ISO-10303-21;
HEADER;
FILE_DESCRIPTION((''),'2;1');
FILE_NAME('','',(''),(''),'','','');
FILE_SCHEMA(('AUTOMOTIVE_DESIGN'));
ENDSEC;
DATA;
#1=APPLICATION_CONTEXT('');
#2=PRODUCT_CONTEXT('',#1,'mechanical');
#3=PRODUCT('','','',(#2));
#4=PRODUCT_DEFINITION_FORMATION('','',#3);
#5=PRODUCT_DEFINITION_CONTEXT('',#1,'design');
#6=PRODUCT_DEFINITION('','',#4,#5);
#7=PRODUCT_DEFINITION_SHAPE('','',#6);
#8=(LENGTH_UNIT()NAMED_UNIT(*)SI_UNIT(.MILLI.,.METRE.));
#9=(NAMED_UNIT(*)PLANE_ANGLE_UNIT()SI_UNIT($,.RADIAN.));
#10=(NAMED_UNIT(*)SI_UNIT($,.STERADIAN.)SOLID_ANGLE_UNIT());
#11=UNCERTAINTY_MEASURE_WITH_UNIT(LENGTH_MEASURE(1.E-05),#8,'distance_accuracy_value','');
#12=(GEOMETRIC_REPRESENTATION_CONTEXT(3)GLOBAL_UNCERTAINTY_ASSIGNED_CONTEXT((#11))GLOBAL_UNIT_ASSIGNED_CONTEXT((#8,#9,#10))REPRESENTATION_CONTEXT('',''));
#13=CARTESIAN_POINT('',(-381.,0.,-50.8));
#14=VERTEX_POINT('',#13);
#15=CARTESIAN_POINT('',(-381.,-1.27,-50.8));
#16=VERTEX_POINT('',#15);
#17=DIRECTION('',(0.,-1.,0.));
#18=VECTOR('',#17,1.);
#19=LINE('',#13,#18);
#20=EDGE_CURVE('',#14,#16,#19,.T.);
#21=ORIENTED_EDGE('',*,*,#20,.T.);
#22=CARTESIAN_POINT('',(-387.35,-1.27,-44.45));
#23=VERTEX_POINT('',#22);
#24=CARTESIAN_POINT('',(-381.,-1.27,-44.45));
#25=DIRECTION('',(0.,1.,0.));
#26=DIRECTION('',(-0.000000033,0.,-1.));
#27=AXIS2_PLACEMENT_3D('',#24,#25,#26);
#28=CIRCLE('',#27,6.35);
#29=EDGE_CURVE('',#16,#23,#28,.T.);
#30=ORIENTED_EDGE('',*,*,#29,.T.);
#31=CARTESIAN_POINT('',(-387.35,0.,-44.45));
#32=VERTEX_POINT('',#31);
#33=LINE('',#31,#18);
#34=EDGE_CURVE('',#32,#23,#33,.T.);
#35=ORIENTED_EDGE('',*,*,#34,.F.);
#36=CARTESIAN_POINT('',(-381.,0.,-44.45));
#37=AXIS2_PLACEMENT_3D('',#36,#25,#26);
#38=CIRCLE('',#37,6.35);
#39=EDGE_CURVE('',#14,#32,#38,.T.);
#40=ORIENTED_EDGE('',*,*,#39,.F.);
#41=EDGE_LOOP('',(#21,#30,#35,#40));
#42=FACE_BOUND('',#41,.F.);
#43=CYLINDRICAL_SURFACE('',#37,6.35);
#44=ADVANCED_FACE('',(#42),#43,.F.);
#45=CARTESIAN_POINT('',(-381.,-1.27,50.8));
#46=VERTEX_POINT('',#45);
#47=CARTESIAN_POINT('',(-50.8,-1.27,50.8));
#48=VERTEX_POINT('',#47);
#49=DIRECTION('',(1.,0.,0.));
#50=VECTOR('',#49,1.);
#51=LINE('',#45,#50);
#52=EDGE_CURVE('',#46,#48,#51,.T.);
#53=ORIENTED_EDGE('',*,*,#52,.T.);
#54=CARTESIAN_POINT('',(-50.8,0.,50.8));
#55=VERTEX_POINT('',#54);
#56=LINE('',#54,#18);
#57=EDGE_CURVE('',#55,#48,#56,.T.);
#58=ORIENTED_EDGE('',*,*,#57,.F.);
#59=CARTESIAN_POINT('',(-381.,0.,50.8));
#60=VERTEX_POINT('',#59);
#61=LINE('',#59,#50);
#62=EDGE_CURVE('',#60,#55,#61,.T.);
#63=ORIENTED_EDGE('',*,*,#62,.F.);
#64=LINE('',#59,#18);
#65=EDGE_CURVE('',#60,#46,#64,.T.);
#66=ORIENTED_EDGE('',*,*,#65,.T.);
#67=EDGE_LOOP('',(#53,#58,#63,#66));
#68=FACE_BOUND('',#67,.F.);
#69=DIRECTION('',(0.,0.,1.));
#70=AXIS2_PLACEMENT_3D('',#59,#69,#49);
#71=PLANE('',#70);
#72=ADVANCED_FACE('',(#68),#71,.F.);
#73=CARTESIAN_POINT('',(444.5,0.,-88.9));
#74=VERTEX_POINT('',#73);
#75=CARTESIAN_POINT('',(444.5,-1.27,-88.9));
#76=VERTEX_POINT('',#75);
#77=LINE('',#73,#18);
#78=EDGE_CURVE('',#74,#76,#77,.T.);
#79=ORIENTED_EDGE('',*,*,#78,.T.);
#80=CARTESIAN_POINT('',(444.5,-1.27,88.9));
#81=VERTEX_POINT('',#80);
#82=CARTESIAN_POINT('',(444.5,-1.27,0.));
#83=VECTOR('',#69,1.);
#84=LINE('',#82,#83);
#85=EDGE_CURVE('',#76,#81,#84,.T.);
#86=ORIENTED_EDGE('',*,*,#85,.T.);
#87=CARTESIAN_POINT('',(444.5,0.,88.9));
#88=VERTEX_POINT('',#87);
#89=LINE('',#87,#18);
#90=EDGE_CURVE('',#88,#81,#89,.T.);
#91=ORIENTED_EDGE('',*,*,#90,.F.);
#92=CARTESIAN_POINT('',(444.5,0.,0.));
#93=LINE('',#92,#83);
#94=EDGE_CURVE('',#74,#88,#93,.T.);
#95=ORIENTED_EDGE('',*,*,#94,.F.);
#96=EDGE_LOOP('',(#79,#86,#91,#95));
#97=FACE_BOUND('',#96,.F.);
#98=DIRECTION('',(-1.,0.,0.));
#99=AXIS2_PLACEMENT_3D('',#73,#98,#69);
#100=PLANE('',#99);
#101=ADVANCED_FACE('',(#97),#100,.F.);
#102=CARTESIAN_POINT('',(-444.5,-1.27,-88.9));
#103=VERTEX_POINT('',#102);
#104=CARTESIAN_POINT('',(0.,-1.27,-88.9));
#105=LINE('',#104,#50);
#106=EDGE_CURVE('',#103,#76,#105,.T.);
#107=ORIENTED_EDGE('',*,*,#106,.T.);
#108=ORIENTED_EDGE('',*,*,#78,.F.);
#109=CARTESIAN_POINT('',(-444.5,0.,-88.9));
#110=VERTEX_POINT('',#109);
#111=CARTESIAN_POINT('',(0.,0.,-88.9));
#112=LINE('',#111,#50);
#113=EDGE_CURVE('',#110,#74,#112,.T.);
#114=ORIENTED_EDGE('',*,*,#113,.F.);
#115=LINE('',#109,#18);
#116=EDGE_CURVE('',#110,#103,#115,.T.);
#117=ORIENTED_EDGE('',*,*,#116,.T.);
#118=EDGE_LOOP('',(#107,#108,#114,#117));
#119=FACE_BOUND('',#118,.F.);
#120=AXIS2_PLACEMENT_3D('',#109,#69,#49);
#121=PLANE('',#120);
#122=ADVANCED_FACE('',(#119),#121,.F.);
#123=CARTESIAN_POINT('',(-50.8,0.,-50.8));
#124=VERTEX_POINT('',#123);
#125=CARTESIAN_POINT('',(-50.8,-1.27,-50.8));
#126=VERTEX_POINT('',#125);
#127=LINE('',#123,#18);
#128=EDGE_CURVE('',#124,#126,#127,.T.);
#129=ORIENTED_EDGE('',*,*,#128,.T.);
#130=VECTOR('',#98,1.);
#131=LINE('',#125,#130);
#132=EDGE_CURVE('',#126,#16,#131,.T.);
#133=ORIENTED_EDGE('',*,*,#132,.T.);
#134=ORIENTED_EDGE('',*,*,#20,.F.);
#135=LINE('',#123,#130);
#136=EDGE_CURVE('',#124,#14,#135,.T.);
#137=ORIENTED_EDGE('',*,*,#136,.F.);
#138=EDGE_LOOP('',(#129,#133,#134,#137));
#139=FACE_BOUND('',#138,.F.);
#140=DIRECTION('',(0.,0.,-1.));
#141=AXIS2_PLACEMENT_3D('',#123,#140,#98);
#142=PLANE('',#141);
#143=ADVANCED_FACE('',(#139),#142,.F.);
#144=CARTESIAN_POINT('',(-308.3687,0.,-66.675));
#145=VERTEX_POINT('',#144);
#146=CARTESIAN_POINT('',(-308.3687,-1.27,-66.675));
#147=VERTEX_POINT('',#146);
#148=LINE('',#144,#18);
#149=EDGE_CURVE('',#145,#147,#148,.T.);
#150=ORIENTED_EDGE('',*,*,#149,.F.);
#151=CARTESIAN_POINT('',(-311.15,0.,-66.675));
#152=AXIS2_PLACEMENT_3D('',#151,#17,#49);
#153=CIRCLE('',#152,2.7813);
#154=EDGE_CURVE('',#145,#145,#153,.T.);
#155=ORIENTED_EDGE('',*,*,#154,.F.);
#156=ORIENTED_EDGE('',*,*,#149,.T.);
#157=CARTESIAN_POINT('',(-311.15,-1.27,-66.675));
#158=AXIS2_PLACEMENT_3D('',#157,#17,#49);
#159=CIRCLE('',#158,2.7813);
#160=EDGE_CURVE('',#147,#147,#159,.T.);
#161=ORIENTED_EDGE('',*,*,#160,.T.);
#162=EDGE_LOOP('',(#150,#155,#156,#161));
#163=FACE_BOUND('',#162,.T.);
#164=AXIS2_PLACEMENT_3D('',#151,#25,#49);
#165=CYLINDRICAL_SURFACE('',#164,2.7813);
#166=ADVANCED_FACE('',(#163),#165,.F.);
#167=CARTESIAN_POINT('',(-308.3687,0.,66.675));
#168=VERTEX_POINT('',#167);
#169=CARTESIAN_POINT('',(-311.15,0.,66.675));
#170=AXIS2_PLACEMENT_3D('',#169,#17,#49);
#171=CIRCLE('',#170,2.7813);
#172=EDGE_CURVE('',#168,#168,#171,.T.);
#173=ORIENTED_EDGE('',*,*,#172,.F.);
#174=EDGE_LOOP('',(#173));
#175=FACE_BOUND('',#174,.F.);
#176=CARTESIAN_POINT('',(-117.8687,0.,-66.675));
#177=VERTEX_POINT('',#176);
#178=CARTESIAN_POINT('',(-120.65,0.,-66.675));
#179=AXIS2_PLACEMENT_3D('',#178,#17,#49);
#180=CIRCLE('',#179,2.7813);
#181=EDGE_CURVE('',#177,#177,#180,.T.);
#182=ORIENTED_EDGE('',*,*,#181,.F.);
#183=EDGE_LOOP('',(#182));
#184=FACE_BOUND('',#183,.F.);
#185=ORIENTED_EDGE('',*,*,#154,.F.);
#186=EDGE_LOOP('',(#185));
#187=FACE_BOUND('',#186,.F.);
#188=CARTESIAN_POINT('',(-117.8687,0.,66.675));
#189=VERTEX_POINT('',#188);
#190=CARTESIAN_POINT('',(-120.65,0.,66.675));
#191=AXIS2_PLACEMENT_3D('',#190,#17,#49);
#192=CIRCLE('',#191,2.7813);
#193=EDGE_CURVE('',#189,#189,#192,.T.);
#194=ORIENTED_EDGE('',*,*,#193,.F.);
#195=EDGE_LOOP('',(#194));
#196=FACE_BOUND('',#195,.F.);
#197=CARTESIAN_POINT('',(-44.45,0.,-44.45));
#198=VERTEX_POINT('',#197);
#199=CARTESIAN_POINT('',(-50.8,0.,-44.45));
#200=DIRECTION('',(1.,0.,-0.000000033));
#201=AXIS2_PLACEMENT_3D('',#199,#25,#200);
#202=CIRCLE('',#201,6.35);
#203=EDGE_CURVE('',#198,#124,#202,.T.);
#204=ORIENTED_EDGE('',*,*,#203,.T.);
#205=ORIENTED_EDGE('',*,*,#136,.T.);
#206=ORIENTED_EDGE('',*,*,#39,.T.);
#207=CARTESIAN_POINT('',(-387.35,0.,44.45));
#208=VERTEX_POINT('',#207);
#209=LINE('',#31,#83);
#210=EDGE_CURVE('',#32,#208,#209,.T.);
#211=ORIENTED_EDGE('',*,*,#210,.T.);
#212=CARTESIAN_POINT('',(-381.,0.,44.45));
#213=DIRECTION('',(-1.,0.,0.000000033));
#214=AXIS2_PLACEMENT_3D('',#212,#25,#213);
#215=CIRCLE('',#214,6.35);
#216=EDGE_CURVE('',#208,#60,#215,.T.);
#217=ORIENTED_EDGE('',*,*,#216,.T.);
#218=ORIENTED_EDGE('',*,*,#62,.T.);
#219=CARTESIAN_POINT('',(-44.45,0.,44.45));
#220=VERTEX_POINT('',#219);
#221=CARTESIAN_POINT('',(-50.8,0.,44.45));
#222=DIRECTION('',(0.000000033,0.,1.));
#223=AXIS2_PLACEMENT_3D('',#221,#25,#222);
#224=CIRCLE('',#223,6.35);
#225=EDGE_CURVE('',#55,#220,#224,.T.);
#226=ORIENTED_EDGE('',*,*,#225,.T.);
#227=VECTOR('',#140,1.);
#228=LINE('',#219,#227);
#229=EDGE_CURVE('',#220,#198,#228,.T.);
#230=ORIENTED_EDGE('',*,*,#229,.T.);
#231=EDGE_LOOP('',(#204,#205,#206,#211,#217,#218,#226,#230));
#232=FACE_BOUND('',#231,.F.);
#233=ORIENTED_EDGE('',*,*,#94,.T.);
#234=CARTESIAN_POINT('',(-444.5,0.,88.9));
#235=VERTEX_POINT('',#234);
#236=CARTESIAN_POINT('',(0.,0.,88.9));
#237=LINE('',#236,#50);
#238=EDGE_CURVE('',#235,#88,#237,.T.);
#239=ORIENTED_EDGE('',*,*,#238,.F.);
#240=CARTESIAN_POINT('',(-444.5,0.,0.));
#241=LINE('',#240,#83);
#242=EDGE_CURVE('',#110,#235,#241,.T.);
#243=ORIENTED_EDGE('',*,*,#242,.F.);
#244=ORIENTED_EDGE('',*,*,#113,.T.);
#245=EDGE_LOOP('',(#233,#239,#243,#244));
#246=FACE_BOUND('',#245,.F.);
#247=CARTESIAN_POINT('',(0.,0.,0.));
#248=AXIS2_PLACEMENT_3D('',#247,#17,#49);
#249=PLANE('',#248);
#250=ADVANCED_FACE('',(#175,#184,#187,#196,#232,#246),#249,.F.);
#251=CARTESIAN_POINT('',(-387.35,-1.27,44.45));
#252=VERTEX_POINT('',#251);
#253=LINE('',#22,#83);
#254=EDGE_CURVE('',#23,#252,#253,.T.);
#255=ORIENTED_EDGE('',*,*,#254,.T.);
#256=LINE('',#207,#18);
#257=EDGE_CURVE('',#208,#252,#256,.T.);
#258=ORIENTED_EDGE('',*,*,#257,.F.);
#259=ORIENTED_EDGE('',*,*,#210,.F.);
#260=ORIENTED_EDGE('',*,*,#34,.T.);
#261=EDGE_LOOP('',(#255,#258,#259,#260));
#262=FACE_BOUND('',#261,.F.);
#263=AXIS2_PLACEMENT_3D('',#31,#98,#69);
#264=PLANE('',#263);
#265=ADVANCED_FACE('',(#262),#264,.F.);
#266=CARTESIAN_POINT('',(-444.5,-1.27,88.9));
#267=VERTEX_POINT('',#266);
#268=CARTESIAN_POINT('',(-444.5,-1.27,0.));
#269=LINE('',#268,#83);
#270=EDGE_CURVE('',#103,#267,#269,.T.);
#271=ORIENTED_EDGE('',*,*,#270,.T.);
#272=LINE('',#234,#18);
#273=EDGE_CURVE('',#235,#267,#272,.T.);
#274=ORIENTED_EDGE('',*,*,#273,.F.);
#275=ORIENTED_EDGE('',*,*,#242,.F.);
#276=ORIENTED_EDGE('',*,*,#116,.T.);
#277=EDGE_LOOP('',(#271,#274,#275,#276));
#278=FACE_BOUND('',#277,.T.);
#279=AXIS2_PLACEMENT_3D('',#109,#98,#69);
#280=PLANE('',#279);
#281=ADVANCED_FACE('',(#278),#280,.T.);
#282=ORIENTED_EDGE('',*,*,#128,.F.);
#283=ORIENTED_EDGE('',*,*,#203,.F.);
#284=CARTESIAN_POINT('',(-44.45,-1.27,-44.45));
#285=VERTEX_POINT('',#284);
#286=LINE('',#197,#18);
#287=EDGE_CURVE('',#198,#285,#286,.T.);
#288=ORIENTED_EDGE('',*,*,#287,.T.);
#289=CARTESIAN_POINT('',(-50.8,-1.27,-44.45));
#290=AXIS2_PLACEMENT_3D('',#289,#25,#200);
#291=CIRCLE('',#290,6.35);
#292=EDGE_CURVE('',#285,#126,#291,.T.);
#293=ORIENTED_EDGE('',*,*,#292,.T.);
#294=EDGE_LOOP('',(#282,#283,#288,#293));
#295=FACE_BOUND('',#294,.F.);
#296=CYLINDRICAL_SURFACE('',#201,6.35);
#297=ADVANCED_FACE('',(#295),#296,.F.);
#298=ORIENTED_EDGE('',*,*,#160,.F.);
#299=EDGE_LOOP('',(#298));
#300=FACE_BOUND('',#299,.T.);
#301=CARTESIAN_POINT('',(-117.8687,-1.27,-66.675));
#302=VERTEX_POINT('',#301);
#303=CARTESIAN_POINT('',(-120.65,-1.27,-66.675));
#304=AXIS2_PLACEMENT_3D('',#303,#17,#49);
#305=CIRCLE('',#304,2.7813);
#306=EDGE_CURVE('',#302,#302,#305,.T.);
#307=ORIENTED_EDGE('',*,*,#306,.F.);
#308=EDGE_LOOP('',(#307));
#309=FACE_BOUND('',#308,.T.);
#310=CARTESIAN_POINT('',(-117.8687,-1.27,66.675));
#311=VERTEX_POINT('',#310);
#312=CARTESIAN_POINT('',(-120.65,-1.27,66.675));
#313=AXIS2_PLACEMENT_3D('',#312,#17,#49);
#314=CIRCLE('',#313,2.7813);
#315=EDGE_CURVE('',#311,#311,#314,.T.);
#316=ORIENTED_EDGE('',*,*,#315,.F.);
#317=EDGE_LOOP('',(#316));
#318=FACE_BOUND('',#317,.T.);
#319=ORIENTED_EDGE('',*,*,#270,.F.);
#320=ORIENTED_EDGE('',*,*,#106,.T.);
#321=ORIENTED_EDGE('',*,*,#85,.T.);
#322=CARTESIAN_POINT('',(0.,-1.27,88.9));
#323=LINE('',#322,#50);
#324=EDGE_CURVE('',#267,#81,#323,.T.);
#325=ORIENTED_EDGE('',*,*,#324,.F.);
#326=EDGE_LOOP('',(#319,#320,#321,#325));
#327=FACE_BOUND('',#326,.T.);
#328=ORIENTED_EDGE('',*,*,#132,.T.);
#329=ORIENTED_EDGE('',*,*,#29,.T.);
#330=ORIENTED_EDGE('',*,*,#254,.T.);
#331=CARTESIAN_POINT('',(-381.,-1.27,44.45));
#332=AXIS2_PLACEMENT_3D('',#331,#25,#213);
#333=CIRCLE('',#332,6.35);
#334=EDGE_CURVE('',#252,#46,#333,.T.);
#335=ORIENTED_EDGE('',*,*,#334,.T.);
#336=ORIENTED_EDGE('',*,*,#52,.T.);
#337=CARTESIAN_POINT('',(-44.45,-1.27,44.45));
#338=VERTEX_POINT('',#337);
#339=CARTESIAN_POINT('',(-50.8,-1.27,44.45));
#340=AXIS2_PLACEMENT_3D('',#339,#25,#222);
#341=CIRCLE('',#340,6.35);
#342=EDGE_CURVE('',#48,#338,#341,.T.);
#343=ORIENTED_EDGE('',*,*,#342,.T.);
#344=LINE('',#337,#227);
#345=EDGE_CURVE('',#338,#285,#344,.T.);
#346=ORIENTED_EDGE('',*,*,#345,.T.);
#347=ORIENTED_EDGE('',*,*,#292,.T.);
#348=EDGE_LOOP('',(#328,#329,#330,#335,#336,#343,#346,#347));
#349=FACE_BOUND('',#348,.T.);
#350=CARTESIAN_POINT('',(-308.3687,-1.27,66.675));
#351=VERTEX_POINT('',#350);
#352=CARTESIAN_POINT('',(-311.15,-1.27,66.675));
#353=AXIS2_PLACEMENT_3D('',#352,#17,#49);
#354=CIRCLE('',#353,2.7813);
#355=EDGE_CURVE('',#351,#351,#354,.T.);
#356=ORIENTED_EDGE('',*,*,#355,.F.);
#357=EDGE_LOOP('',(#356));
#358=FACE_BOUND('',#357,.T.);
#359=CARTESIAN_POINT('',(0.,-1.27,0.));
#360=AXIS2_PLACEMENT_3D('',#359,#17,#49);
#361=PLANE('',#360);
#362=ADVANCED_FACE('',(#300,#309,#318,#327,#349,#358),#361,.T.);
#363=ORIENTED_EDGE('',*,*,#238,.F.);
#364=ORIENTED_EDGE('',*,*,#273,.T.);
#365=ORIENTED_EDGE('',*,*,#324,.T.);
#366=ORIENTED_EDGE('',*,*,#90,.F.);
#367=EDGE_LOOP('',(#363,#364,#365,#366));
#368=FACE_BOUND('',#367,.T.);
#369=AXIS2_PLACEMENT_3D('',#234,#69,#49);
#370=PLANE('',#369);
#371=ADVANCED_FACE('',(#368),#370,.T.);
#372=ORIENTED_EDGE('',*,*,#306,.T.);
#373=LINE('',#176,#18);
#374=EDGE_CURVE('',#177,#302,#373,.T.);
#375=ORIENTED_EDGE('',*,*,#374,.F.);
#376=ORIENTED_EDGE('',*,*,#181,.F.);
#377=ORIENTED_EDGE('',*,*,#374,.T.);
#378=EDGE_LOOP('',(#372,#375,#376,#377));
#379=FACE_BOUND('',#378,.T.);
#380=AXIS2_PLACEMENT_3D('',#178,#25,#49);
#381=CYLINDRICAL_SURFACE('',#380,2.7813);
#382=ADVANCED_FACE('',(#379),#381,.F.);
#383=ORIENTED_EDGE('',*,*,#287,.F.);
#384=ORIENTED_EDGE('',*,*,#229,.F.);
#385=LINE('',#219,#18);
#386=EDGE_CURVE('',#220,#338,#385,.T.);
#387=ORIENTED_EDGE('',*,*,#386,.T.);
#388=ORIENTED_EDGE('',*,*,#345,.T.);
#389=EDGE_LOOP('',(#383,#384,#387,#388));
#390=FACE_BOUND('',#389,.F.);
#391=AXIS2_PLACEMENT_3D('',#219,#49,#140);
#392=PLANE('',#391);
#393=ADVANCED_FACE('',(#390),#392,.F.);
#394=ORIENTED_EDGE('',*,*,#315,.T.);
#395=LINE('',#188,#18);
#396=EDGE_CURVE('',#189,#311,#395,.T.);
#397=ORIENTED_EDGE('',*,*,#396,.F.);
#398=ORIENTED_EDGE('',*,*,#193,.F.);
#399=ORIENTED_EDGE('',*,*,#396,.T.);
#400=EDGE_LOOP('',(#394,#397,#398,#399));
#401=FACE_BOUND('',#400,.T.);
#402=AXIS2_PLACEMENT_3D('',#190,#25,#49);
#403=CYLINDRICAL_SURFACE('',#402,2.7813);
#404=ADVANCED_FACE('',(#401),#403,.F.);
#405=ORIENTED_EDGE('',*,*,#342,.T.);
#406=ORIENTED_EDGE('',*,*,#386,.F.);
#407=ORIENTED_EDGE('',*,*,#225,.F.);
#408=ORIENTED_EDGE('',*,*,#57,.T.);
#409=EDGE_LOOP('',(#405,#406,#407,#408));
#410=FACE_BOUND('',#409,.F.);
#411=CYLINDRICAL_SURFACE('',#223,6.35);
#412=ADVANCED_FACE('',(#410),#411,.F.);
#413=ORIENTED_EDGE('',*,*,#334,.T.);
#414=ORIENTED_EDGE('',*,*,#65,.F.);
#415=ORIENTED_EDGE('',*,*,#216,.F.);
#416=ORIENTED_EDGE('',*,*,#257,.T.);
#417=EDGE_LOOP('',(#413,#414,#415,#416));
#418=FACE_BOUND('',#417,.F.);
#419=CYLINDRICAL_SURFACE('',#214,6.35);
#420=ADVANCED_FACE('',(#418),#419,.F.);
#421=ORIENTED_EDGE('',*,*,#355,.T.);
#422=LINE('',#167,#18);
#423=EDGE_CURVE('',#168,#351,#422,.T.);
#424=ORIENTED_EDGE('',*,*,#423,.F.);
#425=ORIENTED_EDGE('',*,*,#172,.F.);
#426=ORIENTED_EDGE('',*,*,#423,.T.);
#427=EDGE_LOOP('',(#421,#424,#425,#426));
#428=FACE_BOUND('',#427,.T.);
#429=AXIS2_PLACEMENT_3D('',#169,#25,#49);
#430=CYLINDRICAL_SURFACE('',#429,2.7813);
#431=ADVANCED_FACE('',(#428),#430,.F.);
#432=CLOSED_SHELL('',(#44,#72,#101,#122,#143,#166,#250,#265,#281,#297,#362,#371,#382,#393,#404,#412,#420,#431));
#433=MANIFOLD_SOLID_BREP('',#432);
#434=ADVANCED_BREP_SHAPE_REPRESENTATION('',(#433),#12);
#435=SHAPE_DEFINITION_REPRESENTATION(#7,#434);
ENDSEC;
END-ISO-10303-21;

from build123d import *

# Parameters (mm, degrees)
F0_W     = 889
F0_H     = 177.8
F0_R     = 2.7813
F1_DEPTH = 1.27


with BuildPart() as f1:
    # F0 (on Front) → F1 (new body)
    with BuildSketch(Plane.XZ):
        Rectangle(F0_W, F0_H)
        with Locations((-311.15, -66.675)):
            Circle(F0_R, mode=Mode.SUBTRACT)
        with Locations((-120.65, -66.675)):
            Circle(F0_R, mode=Mode.SUBTRACT)
        with BuildLine():
            Line((-381, 50.8), (-50.8, 50.8))
            ThreePointArc((-50.8, 50.8), (-46.309872, 48.940128), (-44.45, 44.45))
            Line((-44.45, 44.45), (-44.45, -44.45))
            ThreePointArc((-44.45, -44.45), (-46.309872, -48.940128), (-50.8, -50.8))
            Line((-50.8, -50.8), (-381, -50.8))
            ThreePointArc((-381, -50.8), (-385.490128, -48.940128), (-387.35, -44.45))
            Line((-387.35, -44.45), (-387.35, 44.45))
            ThreePointArc((-387.35, 44.45), (-385.490128, 48.940128), (-381, 50.8))
        make_face(mode=Mode.SUBTRACT)
        with Locations((-311.15, 66.675)):
            Circle(F0_R, mode=Mode.SUBTRACT)
        with Locations((-120.65, 66.675)):
            Circle(F0_R, mode=Mode.SUBTRACT)
    extrude(amount=F1_DEPTH)


solid = f1.part
